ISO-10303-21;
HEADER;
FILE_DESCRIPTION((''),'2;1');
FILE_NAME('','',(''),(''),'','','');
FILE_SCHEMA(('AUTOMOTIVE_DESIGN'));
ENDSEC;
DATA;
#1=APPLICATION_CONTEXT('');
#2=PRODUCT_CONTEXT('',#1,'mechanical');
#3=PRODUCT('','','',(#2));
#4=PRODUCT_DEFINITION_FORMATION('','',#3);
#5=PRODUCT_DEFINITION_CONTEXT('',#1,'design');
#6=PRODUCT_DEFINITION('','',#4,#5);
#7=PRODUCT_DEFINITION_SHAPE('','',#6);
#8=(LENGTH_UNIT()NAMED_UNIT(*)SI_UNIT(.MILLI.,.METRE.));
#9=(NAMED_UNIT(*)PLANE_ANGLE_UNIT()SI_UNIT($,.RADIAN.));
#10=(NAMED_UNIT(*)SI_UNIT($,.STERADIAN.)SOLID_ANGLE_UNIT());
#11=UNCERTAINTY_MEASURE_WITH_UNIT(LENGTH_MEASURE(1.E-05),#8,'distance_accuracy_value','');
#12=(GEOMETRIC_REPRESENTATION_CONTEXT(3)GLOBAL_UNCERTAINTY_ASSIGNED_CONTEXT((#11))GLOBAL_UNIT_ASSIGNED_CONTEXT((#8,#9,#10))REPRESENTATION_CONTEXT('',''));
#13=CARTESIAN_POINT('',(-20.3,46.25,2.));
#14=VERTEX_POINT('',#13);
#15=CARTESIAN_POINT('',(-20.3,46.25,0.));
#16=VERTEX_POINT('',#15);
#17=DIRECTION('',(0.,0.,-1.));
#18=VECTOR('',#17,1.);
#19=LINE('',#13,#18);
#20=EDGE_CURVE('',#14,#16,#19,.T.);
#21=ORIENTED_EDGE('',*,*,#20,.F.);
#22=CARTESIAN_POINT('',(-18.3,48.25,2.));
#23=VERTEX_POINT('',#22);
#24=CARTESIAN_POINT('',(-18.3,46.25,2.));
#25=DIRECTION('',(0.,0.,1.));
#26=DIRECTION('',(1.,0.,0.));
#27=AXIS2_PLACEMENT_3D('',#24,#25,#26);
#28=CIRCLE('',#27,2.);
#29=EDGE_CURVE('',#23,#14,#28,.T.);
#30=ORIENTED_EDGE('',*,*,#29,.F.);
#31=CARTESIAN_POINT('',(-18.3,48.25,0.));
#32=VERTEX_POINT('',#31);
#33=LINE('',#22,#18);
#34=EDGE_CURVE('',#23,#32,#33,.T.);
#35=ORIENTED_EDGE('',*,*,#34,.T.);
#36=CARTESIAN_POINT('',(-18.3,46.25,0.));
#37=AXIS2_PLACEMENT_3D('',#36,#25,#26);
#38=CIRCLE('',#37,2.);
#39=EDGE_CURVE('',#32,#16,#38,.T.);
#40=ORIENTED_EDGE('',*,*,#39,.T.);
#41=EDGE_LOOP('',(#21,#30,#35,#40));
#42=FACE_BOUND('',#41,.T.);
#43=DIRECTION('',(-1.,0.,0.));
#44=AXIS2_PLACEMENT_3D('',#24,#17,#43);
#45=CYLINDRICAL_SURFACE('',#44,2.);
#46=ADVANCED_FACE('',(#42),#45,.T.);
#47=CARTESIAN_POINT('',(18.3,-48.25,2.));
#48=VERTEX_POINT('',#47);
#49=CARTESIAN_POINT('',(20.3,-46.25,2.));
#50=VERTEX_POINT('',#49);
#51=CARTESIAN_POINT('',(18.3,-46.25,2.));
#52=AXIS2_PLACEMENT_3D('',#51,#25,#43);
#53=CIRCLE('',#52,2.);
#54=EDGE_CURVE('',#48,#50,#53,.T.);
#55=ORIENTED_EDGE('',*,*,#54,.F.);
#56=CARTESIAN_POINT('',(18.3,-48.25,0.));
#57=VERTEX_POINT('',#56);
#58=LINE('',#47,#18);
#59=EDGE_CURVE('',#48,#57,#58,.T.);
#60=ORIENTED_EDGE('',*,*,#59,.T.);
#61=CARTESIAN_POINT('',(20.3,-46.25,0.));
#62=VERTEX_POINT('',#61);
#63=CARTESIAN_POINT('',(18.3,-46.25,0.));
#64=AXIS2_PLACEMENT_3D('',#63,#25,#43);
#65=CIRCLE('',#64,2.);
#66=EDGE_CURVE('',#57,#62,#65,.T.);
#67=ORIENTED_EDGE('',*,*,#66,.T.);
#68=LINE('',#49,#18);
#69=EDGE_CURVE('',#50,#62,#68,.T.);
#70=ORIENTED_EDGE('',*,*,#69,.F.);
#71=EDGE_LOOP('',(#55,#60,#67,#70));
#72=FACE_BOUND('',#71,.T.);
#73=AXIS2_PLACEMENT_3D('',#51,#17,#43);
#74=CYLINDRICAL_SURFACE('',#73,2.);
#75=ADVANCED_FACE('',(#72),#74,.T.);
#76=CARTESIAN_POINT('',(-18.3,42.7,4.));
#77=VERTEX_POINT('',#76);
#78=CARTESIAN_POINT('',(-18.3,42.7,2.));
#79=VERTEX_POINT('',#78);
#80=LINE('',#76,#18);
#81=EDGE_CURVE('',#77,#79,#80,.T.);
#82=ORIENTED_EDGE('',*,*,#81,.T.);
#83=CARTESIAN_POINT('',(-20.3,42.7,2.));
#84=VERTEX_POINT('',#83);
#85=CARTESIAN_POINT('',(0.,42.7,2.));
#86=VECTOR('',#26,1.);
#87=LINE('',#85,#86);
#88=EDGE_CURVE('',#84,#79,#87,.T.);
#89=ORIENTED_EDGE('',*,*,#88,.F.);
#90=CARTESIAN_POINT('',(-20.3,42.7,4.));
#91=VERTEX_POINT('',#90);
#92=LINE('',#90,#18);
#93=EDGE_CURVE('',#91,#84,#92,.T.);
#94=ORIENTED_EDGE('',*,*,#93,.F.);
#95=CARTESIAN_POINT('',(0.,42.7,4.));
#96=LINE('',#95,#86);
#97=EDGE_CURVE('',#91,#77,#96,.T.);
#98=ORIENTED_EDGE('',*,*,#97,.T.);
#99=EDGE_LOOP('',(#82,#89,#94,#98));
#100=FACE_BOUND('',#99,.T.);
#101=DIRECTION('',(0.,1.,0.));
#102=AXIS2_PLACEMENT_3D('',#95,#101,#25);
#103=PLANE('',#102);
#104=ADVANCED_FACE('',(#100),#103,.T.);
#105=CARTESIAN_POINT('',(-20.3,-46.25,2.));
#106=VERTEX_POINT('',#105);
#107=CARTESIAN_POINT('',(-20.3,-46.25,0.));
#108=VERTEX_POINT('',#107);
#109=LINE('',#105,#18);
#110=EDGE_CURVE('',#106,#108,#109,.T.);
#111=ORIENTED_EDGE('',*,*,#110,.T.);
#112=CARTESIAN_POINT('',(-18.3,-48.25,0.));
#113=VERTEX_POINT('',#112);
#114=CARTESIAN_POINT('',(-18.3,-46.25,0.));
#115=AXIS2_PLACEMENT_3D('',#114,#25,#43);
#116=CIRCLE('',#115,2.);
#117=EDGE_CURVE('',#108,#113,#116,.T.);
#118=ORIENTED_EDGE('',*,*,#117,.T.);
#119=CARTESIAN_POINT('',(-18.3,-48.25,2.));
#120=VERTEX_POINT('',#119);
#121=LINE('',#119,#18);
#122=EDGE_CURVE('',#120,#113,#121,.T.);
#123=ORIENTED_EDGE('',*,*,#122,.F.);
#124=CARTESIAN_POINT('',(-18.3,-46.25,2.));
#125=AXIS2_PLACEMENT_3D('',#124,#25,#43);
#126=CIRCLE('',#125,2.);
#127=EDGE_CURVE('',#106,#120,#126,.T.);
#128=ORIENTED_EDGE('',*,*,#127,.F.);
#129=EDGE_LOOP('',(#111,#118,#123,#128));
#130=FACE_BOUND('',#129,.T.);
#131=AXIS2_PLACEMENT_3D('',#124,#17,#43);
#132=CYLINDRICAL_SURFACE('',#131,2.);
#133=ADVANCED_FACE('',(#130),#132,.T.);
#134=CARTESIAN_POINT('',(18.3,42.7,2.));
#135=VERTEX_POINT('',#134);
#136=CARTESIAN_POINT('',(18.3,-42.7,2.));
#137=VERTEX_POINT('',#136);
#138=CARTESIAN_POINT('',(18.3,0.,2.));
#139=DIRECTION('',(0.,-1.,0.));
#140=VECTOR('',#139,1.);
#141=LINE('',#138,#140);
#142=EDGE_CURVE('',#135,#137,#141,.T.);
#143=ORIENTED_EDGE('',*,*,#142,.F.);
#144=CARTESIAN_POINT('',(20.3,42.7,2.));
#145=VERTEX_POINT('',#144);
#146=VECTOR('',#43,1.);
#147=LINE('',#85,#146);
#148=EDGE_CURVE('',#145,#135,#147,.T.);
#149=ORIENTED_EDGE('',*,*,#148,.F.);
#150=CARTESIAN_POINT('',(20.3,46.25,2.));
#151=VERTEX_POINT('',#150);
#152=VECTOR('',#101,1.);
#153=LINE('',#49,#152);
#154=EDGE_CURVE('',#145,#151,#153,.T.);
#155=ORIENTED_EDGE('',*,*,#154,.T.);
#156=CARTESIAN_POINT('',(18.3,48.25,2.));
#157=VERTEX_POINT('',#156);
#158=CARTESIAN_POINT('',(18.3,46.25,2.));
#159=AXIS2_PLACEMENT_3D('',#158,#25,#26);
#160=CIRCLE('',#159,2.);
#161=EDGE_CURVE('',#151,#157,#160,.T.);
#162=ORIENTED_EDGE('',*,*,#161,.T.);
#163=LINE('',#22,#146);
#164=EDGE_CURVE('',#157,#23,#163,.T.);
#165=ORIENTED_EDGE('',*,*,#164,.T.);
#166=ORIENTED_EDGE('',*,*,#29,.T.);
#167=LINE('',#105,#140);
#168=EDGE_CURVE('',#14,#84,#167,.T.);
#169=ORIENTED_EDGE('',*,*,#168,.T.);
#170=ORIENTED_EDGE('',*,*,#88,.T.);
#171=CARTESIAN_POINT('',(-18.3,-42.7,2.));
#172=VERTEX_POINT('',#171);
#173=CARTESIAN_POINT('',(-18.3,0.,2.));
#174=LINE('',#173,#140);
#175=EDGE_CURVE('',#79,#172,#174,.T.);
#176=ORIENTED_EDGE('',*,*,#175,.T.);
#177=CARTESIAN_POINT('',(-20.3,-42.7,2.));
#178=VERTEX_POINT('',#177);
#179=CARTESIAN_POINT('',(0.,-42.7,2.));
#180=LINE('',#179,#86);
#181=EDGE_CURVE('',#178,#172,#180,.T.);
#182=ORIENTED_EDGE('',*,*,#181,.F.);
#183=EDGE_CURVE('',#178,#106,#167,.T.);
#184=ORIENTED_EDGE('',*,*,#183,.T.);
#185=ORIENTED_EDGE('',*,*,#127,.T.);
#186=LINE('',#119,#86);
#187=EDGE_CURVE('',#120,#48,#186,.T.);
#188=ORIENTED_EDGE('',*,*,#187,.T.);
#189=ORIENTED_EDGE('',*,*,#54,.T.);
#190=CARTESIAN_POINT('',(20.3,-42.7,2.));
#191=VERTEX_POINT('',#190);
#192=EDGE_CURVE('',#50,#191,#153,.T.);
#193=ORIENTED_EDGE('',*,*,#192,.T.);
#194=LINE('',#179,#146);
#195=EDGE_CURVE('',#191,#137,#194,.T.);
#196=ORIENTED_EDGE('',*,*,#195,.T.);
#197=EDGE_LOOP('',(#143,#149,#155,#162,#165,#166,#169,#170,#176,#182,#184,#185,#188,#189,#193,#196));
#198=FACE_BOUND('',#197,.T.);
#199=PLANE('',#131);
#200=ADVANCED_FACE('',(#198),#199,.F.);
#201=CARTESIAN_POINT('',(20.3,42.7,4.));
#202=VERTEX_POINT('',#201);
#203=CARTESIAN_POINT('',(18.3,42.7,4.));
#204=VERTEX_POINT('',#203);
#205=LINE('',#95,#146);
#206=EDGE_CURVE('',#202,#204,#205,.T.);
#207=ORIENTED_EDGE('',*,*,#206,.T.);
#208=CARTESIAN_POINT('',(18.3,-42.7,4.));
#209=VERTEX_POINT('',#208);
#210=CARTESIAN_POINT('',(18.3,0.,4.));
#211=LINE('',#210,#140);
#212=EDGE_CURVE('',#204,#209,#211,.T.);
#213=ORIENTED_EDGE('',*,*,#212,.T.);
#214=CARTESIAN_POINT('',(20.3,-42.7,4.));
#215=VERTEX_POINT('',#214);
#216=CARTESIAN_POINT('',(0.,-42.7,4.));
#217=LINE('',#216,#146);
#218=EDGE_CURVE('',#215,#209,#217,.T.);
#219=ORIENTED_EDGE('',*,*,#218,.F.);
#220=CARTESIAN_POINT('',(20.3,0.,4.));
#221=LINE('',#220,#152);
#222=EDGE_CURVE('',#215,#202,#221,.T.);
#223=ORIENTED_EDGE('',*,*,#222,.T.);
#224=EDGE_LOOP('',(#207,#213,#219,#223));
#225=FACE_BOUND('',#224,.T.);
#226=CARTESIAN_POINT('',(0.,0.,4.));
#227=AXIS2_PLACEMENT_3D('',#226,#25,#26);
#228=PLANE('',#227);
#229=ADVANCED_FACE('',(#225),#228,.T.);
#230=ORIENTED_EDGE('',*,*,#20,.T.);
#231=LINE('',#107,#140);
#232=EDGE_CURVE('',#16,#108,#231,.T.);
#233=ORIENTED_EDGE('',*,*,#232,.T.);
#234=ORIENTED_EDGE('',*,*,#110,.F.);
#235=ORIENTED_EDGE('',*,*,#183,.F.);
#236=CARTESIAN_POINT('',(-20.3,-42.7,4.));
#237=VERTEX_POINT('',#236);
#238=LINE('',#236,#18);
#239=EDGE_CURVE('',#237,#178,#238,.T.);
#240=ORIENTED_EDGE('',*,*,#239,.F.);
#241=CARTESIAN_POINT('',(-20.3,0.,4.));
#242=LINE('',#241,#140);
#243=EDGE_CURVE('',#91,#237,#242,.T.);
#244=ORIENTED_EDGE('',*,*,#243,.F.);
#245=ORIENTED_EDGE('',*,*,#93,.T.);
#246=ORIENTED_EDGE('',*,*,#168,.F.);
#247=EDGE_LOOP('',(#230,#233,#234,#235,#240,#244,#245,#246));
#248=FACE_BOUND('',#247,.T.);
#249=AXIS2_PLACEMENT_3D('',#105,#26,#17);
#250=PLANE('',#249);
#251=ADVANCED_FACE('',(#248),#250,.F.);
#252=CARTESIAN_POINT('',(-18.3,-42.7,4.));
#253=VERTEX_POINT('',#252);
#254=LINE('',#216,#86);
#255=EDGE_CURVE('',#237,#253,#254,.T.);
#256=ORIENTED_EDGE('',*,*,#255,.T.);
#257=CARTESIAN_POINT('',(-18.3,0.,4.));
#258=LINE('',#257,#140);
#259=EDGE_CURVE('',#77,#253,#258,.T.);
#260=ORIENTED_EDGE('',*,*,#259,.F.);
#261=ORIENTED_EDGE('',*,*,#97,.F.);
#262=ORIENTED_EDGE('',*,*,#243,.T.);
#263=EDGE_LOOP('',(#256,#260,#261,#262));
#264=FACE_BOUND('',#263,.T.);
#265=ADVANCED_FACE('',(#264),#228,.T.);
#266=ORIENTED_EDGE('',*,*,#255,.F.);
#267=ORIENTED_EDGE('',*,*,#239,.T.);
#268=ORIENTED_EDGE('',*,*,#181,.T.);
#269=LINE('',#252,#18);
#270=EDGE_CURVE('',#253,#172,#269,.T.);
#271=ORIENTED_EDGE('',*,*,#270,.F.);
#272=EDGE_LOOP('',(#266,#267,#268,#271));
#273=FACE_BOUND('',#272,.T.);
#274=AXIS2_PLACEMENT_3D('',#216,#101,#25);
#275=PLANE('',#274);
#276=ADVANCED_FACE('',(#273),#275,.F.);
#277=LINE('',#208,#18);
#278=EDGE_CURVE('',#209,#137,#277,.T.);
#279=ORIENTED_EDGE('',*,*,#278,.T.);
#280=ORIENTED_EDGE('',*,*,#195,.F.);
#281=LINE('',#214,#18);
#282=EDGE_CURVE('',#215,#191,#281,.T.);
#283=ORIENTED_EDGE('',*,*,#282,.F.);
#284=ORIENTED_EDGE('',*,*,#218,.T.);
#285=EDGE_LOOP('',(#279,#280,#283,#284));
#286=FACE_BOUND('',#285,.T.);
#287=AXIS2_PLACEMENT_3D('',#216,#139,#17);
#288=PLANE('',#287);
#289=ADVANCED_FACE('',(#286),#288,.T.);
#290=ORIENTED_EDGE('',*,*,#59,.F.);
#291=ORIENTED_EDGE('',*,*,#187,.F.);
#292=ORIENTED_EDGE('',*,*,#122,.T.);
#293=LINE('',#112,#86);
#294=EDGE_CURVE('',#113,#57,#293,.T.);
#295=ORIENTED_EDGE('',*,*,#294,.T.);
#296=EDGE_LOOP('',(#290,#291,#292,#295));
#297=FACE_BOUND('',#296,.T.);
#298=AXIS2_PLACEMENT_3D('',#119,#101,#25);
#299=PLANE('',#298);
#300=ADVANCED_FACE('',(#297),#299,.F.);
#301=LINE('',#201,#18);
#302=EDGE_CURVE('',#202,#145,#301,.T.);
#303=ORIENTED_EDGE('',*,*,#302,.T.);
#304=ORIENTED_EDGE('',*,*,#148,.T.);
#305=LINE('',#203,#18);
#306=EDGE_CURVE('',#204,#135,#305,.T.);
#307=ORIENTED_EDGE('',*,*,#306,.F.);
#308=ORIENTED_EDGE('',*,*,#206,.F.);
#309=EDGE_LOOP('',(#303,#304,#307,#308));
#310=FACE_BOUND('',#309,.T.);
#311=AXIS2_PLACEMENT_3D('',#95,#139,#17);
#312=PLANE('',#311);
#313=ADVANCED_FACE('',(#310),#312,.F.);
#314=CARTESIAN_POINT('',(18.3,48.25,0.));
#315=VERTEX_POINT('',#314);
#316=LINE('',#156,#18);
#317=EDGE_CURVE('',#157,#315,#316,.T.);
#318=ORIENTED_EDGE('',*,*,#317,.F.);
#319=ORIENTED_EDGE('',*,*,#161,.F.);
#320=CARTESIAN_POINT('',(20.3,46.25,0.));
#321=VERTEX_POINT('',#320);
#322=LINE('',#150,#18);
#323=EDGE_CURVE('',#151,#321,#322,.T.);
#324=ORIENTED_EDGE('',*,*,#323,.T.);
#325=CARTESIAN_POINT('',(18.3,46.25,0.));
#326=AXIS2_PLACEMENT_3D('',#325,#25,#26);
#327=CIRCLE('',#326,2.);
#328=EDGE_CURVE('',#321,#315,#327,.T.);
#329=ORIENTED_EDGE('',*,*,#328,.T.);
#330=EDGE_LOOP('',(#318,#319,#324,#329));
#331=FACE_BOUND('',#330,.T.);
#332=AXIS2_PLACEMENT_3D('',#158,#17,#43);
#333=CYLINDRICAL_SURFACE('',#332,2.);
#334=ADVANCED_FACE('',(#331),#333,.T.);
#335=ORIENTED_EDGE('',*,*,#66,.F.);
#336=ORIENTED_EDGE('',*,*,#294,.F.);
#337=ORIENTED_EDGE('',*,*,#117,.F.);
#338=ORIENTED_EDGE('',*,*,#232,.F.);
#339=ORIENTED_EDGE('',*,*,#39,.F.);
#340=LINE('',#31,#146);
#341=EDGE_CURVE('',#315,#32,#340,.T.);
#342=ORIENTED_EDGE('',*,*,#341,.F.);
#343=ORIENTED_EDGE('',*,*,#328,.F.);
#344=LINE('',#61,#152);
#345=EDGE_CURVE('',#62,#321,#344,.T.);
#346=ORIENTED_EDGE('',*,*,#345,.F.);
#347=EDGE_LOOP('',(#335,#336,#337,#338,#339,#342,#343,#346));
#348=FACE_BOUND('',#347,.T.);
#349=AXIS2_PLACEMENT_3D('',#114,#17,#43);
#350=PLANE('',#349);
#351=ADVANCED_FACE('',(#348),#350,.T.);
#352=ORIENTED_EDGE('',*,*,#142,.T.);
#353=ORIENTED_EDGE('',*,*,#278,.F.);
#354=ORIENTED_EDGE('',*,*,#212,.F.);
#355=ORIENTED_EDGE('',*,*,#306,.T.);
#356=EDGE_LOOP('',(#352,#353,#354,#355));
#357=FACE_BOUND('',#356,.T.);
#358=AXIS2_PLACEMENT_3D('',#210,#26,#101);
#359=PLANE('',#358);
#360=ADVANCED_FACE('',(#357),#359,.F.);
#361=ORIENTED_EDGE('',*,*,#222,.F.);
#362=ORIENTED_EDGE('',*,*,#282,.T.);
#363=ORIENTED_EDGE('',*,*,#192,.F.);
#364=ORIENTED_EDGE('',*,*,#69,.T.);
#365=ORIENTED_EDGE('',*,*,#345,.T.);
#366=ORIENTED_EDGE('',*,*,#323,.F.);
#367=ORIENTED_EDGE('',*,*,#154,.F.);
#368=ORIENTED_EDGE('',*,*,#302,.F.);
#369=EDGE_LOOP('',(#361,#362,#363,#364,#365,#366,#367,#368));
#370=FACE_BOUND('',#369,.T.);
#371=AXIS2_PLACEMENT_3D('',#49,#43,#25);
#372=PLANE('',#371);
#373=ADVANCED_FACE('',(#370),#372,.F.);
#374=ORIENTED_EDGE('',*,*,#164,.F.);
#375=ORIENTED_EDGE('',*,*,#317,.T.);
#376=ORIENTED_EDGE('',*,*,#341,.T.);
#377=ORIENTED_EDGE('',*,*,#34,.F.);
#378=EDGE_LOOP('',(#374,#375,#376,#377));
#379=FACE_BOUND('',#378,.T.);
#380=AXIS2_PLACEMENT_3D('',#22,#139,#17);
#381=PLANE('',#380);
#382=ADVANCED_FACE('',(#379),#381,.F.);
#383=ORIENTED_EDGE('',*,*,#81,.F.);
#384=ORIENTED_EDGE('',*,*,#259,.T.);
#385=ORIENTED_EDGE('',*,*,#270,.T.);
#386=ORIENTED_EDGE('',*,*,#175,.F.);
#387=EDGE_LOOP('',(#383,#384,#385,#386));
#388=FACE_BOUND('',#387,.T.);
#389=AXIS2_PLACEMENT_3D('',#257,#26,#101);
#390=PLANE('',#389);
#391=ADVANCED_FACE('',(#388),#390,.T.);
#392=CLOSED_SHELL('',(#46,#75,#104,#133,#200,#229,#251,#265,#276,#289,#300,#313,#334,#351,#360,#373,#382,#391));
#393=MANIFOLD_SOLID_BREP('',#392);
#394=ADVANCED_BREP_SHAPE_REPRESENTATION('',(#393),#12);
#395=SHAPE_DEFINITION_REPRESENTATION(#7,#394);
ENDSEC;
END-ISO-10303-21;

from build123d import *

# Parameters (mm, degrees)
Y_KSEKLIK_EKSTR_ZYON1_DEPTH = 2
IZIM2_W                     = 2
IZIM2_H                     = 85.4
Y_KSEKLIK_EKSTR_ZYON2_DEPTH = 2


with BuildPart() as part:
    # Çizim1 → Yükseklik-Ekstrüzyon1 (new body)
    with BuildSketch(Plane.XY):
        with BuildLine():
            Line((-18.3, -48.25), (18.3, -48.25))
            ThreePointArc((18.3, -48.25), (19.714213562, -47.664213562), (20.3, -46.25))
            Line((20.3, -46.25), (20.3, 46.25))
            ThreePointArc((20.3, 46.25), (19.714213562, 47.664213562), (18.3, 48.25))
            Line((18.3, 48.25), (-18.3, 48.25))
            ThreePointArc((-18.3, 48.25), (-19.714213562, 47.664213562), (-20.3, 46.25))
            Line((-20.3, 46.25), (-20.3, -46.25))
            ThreePointArc((-20.3, -46.25), (-19.714213562, -47.664213562), (-18.3, -48.25))
        make_face()
    extrude(amount=Y_KSEKLIK_EKSTR_ZYON1_DEPTH)

    # Çizim2 → Yükseklik-Ekstrüzyon2 (add)
    with BuildSketch(Plane.XY.offset(2)):
        with Locations((-19.3, 0)):
            Rectangle(IZIM2_W, IZIM2_H)
        with Locations((19.3, 0)):
            Rectangle(IZIM2_W, IZIM2_H)
    extrude(amount=Y_KSEKLIK_EKSTR_ZYON2_DEPTH)


solid = part.part
